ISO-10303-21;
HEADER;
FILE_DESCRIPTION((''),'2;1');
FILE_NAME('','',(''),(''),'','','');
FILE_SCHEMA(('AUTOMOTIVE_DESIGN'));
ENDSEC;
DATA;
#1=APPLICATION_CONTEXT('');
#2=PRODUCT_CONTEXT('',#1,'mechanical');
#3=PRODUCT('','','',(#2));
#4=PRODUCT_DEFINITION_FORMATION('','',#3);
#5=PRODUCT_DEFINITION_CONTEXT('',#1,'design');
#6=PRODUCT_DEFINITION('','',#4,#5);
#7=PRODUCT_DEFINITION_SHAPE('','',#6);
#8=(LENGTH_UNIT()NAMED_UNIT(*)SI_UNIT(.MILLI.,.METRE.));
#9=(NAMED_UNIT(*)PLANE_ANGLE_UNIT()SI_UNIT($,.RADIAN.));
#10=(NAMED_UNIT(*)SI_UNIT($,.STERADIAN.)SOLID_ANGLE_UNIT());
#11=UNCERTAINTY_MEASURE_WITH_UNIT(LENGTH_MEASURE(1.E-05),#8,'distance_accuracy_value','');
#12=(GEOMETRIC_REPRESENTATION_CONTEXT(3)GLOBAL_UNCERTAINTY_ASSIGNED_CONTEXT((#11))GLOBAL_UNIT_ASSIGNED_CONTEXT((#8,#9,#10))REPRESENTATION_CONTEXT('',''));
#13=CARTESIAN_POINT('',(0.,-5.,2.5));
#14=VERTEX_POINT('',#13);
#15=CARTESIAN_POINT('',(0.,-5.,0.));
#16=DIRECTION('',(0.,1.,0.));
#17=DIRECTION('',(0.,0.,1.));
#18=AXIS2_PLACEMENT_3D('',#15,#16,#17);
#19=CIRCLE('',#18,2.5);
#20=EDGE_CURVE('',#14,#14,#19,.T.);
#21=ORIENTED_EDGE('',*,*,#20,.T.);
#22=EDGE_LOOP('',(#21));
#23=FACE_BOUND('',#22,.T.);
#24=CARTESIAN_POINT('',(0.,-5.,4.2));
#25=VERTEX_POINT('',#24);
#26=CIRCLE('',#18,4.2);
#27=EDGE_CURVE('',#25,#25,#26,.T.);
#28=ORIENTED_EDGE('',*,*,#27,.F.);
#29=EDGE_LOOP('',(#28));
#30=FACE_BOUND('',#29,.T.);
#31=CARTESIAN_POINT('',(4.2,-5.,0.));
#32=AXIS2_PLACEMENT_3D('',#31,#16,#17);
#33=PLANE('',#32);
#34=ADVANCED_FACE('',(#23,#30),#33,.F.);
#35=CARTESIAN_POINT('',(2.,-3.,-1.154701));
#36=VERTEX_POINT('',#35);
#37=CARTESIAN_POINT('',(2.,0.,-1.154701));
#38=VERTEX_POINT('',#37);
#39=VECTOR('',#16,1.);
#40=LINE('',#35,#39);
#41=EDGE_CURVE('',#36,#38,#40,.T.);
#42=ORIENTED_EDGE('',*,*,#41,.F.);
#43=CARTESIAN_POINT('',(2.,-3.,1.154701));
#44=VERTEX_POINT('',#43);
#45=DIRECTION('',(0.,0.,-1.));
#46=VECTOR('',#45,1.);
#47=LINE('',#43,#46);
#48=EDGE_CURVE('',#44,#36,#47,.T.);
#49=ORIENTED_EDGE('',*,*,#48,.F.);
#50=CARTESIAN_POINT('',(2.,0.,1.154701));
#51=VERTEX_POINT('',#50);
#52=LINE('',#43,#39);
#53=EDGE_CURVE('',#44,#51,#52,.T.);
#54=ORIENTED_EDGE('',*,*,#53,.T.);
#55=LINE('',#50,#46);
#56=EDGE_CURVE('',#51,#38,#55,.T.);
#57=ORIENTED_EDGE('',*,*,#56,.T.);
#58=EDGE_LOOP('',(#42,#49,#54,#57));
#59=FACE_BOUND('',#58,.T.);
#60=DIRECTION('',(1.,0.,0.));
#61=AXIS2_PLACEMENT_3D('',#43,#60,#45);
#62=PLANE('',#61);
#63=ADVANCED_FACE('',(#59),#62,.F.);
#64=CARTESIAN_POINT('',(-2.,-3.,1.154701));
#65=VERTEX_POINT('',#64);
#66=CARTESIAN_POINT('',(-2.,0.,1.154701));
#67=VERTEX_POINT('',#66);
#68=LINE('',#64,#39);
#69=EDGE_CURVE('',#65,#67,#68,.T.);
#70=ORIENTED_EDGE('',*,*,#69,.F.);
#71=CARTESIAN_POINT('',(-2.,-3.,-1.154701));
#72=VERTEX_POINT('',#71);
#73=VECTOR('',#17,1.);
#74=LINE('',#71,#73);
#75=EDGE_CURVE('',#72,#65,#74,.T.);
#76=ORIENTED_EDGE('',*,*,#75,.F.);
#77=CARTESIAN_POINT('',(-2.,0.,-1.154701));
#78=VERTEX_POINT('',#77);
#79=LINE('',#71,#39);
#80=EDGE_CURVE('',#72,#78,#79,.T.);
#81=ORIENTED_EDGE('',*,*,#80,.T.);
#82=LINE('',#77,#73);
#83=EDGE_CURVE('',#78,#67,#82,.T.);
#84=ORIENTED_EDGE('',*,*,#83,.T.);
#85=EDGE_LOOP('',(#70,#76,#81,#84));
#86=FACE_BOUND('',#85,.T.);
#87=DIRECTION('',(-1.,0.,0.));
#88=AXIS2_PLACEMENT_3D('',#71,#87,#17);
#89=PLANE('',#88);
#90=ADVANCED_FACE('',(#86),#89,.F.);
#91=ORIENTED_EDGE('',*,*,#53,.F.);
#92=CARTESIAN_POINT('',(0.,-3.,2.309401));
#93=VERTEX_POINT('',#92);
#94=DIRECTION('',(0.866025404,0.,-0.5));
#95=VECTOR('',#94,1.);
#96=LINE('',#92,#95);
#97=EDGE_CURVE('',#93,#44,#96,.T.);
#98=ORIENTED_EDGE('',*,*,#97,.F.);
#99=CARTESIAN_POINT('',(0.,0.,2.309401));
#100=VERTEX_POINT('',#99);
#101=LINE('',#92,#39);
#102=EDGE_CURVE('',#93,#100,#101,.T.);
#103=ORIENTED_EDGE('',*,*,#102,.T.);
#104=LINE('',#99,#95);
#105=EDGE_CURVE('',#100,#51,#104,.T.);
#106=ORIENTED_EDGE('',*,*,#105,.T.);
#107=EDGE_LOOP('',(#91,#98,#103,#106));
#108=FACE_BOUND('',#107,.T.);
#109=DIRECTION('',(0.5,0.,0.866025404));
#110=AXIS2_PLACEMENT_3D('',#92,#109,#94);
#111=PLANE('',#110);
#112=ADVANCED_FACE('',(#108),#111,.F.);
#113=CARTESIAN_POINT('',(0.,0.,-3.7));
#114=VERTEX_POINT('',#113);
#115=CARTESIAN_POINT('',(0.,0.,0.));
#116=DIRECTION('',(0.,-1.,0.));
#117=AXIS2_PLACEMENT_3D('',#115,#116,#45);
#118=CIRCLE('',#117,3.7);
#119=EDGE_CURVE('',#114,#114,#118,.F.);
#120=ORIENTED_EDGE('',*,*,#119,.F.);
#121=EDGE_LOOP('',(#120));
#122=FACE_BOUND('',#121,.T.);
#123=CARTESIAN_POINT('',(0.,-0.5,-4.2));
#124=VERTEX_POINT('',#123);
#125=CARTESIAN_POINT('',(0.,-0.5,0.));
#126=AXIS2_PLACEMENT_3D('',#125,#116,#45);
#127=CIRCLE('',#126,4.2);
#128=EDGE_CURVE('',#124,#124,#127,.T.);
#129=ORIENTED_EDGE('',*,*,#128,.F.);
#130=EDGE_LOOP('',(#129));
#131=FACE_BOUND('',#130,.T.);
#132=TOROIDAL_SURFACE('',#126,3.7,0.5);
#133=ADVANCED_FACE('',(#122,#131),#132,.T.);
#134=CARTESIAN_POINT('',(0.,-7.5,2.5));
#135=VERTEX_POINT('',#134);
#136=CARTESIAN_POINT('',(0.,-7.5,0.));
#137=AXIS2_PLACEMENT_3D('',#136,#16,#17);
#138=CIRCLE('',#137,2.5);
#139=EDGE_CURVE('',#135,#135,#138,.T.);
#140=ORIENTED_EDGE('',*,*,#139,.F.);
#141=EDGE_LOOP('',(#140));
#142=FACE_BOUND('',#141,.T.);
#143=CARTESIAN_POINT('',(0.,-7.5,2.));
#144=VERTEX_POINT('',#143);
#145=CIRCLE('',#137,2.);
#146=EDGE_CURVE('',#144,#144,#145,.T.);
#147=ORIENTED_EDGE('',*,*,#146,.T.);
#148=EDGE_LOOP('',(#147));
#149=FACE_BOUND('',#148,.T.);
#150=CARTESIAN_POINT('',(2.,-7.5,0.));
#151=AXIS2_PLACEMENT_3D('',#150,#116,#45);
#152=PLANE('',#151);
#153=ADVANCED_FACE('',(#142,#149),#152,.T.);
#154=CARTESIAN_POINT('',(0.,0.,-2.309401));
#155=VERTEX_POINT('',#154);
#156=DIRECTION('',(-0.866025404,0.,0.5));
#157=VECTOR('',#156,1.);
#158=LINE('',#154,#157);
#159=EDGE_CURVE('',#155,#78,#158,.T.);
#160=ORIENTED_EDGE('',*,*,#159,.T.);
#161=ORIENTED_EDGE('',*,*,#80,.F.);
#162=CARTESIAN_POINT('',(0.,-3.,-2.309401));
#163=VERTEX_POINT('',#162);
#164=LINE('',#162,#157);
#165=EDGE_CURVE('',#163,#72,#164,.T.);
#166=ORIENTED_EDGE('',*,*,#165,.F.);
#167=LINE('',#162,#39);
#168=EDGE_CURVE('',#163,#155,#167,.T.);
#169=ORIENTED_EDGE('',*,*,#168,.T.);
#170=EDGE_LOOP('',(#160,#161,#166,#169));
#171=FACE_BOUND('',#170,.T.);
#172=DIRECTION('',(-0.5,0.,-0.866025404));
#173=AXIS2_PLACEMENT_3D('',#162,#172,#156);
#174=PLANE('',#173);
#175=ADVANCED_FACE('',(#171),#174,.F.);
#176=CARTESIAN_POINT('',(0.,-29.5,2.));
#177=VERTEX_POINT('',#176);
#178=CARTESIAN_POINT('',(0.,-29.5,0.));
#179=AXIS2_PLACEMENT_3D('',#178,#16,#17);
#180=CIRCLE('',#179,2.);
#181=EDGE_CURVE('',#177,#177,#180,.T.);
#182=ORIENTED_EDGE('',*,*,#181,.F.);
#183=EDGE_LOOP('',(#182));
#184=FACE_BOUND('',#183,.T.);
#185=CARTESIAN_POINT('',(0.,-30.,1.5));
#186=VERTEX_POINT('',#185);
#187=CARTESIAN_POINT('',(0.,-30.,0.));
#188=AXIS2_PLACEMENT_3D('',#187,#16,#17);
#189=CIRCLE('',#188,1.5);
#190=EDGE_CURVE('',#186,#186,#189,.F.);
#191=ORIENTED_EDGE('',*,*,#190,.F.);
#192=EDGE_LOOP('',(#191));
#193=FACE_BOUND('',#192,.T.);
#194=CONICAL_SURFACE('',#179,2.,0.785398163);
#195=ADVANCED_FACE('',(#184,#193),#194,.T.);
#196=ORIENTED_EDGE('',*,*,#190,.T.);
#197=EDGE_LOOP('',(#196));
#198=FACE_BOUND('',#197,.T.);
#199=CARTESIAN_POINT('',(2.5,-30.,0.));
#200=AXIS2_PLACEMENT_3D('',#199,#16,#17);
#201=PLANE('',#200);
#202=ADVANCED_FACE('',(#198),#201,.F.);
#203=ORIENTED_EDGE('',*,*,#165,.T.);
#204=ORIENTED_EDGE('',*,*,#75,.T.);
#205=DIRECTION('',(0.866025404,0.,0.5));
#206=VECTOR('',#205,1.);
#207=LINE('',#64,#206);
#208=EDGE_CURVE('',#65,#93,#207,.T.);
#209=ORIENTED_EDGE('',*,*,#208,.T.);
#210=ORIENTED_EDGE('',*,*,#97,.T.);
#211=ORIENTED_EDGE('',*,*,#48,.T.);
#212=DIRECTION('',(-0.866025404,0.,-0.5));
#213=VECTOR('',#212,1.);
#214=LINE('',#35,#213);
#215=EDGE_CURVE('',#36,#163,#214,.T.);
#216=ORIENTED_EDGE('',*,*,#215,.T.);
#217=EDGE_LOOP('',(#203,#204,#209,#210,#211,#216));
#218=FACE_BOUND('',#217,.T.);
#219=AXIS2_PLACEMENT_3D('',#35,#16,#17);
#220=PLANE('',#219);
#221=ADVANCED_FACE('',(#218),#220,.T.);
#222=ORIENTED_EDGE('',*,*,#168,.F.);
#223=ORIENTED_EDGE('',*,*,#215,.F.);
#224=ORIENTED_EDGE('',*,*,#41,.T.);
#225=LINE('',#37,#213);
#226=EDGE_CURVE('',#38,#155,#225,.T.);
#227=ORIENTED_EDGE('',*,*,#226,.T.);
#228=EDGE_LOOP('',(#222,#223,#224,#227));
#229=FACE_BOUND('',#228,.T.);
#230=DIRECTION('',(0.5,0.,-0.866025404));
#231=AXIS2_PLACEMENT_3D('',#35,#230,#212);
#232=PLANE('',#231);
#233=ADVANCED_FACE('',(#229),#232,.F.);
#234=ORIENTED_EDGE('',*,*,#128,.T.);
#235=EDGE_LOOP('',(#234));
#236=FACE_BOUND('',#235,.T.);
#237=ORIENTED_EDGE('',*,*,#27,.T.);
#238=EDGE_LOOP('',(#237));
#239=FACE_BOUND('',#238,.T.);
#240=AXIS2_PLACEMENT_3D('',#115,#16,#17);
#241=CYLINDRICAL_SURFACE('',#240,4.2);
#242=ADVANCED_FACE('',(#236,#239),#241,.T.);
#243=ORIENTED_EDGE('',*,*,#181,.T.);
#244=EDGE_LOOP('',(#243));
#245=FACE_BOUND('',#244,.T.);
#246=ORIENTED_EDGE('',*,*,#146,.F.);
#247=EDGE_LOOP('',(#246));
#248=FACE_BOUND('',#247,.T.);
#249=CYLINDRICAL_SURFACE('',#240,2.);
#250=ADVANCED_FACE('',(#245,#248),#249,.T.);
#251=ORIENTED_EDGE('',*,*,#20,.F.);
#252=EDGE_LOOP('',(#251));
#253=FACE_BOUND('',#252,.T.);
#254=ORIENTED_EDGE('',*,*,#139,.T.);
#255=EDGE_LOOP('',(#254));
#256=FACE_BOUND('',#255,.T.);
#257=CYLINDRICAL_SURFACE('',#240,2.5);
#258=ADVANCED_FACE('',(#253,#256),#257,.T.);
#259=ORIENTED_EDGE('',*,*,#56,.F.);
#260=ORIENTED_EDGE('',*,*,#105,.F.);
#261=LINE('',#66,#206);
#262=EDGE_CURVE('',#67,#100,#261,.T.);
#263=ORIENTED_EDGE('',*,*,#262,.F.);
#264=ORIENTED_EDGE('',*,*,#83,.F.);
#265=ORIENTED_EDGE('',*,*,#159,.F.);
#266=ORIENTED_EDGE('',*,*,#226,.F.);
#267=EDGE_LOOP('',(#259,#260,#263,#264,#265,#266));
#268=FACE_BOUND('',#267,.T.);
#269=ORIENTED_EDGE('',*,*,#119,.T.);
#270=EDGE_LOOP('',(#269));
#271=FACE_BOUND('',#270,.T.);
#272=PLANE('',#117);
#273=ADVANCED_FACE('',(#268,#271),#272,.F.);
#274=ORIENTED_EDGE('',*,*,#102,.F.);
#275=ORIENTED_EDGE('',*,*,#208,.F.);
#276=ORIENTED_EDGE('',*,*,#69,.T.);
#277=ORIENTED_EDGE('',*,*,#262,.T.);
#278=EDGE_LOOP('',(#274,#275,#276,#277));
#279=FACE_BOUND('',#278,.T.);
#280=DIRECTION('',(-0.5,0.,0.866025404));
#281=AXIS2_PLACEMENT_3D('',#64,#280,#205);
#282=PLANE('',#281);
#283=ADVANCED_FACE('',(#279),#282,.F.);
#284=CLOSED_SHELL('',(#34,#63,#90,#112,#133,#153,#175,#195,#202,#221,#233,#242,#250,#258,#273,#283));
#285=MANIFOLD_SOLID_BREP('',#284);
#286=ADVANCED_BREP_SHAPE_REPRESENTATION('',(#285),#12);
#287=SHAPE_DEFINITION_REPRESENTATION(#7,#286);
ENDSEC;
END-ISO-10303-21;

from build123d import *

# Parameters (mm, degrees)
CORTAR_EXTRUIR1_DEPTH = 3
CHAFL_N1_SIZE         = 0.5
REDONDEO1_R           = 0.5
CROQUIS3_W            = 0.5
CROQUIS3_H            = 22.5
CHAFL_N2_SIZE         = 0.5


with BuildPart() as part:
    # Croquis1 → Revolución1 (revolve)
    with BuildSketch(Plane.XY):
        Polygon((0, 0), (4.2, 0), (4.2, -5), (2.5, -5), (2.5, -30), (0, -30), align=None)
    revolve(axis=Axis((0, 0, 0), (0, -1, 0)))

    # Croquis2 → Cortar-Extruir1 (cut)
    with BuildSketch(Plane(origin=(0, 0, 0), x_dir=(1, 0, 0), z_dir=(0, 1, 0))):
        Polygon((2, 1.154700538), (0, 2.309401077), (-2, 1.154700538), (-2, -1.154700538), (0, -2.309401077), (2, -1.154700538), align=None)
    extrude(amount=-CORTAR_EXTRUIR1_DEPTH, mode=Mode.SUBTRACT)

    # Chaflán1
    chafl_n1_edges = [part.edges().sort_by_distance(p)[0] for p in [
        (-2.5, -30, 0),
    ]]
    chamfer(chafl_n1_edges, length=CHAFL_N1_SIZE)

    # Redondeo1
    redondeo1_edges = [part.edges().sort_by_distance(p)[0] for p in [
        (-4.2, 0, 0),
    ]]
    fillet(redondeo1_edges, radius=REDONDEO1_R)

    # Croquis3 → Cortar-Revolución1 (revolve, cut)
    with BuildSketch(Plane.XY):
        with Locations((2.25, -18.75)):
            Rectangle(CROQUIS3_W, CROQUIS3_H)
    revolve(axis=Axis((0, 0, 0), (0, -1, 0)), mode=Mode.SUBTRACT)

    # Chaflán2
    chafl_n2_edges = [part.edges().sort_by_distance(p)[0] for p in [
        (-2, -30, 0),
    ]]
    chamfer(chafl_n2_edges, length=CHAFL_N2_SIZE)


solid = part.part
